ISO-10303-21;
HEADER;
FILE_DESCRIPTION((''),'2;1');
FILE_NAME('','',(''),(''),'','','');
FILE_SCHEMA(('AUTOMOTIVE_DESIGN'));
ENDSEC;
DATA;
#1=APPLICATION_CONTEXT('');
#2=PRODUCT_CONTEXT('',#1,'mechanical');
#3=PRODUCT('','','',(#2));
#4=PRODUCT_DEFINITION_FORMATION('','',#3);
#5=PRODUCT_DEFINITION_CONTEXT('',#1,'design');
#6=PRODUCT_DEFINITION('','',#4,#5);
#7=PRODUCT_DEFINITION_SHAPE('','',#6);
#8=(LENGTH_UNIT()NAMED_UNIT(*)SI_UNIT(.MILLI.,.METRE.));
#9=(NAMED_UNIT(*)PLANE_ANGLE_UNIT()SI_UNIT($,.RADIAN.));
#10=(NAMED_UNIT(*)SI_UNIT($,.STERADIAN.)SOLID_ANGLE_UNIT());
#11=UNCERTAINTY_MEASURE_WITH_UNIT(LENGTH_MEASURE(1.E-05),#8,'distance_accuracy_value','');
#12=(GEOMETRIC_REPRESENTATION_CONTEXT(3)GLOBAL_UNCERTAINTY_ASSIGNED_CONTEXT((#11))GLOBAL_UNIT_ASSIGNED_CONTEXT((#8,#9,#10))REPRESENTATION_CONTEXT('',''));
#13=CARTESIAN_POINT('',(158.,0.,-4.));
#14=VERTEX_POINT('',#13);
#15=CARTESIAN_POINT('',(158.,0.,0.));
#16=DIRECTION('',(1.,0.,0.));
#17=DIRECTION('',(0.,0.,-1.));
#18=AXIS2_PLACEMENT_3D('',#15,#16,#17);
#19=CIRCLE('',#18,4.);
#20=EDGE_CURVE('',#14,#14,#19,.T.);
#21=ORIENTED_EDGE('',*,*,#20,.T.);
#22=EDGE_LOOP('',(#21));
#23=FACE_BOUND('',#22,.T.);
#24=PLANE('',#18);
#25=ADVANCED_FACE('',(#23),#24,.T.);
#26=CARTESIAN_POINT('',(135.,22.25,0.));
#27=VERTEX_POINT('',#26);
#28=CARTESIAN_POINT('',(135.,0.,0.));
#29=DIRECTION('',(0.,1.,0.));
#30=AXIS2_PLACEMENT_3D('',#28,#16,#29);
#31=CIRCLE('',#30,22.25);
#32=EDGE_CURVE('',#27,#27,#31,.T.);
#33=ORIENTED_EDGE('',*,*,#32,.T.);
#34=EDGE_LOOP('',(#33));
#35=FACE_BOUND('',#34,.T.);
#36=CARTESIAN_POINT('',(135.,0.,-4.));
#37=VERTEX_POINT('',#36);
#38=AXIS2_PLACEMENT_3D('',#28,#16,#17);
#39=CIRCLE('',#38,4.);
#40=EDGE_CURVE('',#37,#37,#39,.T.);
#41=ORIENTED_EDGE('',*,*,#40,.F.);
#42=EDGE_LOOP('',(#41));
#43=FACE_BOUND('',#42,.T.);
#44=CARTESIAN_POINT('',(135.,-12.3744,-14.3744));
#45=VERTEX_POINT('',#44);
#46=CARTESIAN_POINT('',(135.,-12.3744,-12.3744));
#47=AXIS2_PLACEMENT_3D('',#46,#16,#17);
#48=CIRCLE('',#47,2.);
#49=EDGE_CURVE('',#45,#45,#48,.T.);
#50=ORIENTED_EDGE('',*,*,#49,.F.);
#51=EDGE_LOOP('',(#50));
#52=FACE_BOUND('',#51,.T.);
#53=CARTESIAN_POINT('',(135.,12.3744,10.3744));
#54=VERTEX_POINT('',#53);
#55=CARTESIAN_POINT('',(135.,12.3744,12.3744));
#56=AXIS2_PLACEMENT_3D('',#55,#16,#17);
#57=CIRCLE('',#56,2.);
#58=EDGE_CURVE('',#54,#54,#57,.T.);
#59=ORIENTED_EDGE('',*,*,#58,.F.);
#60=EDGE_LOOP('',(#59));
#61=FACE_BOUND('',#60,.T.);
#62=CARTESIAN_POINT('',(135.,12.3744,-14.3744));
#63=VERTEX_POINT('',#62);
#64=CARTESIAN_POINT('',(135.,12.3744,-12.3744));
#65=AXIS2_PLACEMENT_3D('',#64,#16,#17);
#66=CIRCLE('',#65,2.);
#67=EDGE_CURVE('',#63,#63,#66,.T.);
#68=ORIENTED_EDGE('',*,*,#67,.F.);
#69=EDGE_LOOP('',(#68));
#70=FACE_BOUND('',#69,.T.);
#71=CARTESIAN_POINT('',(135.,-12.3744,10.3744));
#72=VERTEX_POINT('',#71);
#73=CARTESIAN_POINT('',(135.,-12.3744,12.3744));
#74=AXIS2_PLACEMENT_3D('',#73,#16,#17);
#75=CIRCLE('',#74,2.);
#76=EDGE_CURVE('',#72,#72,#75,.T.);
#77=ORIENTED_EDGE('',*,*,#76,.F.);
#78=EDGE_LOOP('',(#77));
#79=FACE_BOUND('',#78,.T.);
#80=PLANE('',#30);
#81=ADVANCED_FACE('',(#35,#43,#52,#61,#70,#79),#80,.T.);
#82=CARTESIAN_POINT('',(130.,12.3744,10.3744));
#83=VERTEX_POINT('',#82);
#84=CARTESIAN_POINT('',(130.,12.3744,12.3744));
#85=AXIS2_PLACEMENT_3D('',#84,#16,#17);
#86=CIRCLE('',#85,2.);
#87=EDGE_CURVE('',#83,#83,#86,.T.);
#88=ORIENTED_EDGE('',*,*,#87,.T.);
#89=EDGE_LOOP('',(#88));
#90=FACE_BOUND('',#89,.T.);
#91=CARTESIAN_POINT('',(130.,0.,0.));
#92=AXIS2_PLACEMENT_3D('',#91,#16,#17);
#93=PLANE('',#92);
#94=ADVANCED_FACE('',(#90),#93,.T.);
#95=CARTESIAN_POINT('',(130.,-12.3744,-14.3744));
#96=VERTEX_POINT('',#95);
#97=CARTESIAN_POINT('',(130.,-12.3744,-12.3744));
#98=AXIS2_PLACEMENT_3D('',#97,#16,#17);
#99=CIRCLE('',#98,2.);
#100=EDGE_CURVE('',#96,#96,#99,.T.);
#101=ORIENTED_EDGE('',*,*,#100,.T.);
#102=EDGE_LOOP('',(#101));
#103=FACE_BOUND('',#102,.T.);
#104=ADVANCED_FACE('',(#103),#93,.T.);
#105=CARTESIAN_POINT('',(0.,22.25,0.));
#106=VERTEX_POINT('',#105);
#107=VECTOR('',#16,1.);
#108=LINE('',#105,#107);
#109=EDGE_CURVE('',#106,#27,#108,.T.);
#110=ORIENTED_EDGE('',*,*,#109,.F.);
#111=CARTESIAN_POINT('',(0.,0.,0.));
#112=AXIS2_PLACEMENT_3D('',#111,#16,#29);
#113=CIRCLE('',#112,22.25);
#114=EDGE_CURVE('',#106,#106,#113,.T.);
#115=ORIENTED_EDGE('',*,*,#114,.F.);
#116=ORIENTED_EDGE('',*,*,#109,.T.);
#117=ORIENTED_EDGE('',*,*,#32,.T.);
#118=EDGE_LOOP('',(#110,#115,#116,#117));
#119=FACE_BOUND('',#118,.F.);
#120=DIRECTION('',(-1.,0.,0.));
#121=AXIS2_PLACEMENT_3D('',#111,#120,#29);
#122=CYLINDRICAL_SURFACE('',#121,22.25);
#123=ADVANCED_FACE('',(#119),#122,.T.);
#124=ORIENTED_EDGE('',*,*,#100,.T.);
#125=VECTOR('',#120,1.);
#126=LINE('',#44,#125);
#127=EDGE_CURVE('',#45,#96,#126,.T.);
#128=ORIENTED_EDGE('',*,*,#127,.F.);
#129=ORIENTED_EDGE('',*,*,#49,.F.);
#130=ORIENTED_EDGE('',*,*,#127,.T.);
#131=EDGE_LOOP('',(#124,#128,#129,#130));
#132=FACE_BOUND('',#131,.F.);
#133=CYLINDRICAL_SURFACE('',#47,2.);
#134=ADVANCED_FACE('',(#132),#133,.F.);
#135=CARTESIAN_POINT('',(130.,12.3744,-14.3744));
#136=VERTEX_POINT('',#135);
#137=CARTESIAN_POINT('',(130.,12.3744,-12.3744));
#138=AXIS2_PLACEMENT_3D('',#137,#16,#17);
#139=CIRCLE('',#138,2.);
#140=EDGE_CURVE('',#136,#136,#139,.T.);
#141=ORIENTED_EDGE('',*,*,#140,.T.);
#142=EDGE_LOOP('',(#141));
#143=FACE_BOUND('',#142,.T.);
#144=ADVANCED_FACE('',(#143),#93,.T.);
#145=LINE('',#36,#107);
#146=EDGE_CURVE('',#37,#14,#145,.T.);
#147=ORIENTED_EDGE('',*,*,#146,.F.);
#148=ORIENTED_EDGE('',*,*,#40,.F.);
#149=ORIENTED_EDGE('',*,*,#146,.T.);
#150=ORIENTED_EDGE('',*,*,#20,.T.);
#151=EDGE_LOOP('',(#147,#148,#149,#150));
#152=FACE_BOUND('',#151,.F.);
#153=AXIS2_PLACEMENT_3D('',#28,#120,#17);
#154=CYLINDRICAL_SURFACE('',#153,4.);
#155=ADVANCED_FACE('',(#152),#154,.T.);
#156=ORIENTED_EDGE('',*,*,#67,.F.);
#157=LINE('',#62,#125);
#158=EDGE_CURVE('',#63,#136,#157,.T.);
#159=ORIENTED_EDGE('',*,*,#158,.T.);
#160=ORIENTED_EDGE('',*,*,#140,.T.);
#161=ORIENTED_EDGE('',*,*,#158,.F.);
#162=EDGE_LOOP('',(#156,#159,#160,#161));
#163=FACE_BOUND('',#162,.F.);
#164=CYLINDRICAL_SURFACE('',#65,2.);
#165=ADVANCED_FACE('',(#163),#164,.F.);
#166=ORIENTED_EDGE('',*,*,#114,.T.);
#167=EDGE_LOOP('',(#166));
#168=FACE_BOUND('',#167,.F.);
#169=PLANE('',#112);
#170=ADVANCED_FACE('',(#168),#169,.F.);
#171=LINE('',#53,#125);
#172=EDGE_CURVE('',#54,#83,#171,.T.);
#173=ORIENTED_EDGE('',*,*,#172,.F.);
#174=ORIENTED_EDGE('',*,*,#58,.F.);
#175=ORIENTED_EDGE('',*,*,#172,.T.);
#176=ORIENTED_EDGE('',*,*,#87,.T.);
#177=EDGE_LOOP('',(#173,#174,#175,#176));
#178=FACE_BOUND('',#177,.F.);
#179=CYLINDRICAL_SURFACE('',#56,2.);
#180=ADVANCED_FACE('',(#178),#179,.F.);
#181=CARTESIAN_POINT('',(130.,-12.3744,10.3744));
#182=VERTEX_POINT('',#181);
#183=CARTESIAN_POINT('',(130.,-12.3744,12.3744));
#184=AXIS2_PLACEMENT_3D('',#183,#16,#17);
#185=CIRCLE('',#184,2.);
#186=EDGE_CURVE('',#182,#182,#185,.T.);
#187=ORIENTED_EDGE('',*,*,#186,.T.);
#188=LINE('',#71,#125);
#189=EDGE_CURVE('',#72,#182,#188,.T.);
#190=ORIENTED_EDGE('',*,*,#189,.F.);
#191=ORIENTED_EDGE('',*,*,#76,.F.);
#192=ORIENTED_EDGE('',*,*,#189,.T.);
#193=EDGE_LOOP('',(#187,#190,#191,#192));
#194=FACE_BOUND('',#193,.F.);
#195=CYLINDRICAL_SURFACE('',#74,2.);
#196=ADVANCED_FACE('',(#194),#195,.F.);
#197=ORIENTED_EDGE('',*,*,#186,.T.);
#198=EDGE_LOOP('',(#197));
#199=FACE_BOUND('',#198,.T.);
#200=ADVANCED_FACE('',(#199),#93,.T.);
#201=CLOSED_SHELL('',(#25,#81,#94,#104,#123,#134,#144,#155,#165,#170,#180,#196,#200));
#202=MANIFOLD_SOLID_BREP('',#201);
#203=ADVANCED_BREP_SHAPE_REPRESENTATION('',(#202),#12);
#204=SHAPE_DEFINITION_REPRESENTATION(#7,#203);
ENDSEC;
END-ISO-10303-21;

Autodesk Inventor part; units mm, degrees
ref_plane "YZ Plane" through (0, 0, 0) normal (1, 0, 0) x (0, 1, 0)
ref_plane "XZ Plane" through (0, 0, 0) normal (0, 1, 0) x (-1, 0, 0)
ref_plane "XY Plane" through (0, 0, 0) normal (0, 0, 1) x (1, 0, 0)
sketch "Sketch1" plane through (0, 0, 0) normal (1, 0, 0) x (0, 1, 0)
  circle A0 centre (0, 0) radius 22.25
  dimension "d0" = 44.5
extrude "Extrusion1" add sketch "Sketch1" along normal blind 135
sketch "Sketch2" plane through (135, 0, 0) normal (1, 0, 0) x (0, 0, -1)
  circle A0 centre (0, 0) radius 4
  line L0 (0, 0) -> (12.3744, 12.3744) construction
  line L1 (0, 0) -> (17.5, 0) construction
  line L2 (0, 0) -> (-12.3744, -12.3744) construction
  line L3 (0, 0) -> (17.5, 0) construction
  circle A1 centre (-12.3744, -12.3744) radius 2
  circle A2 centre (12.3744, 12.3744) radius 2
  circle A3 centre (-12.3744, 12.3744) radius 2
  circle A4 centre (12.3744, -12.3744) radius 2
  circle A5 centre (0, 0) radius 17.5 construction
  dimension "d3" = 8
  dimension "d6" = 17.5
  dimension "d7" = 45
  dimension "d8" = 17.5
  dimension "d9" = 135
  dimension "d10" = 4
  dimension "d11" = 4
extrude "Extrusion2" add sketch "Sketch2" along normal blind 23 contours A0
extrude "Extrusion3" cut sketch "Sketch2" against normal blind 5 contours A1 | A2 | A3 | A4
properties part number "MOOOOT"
